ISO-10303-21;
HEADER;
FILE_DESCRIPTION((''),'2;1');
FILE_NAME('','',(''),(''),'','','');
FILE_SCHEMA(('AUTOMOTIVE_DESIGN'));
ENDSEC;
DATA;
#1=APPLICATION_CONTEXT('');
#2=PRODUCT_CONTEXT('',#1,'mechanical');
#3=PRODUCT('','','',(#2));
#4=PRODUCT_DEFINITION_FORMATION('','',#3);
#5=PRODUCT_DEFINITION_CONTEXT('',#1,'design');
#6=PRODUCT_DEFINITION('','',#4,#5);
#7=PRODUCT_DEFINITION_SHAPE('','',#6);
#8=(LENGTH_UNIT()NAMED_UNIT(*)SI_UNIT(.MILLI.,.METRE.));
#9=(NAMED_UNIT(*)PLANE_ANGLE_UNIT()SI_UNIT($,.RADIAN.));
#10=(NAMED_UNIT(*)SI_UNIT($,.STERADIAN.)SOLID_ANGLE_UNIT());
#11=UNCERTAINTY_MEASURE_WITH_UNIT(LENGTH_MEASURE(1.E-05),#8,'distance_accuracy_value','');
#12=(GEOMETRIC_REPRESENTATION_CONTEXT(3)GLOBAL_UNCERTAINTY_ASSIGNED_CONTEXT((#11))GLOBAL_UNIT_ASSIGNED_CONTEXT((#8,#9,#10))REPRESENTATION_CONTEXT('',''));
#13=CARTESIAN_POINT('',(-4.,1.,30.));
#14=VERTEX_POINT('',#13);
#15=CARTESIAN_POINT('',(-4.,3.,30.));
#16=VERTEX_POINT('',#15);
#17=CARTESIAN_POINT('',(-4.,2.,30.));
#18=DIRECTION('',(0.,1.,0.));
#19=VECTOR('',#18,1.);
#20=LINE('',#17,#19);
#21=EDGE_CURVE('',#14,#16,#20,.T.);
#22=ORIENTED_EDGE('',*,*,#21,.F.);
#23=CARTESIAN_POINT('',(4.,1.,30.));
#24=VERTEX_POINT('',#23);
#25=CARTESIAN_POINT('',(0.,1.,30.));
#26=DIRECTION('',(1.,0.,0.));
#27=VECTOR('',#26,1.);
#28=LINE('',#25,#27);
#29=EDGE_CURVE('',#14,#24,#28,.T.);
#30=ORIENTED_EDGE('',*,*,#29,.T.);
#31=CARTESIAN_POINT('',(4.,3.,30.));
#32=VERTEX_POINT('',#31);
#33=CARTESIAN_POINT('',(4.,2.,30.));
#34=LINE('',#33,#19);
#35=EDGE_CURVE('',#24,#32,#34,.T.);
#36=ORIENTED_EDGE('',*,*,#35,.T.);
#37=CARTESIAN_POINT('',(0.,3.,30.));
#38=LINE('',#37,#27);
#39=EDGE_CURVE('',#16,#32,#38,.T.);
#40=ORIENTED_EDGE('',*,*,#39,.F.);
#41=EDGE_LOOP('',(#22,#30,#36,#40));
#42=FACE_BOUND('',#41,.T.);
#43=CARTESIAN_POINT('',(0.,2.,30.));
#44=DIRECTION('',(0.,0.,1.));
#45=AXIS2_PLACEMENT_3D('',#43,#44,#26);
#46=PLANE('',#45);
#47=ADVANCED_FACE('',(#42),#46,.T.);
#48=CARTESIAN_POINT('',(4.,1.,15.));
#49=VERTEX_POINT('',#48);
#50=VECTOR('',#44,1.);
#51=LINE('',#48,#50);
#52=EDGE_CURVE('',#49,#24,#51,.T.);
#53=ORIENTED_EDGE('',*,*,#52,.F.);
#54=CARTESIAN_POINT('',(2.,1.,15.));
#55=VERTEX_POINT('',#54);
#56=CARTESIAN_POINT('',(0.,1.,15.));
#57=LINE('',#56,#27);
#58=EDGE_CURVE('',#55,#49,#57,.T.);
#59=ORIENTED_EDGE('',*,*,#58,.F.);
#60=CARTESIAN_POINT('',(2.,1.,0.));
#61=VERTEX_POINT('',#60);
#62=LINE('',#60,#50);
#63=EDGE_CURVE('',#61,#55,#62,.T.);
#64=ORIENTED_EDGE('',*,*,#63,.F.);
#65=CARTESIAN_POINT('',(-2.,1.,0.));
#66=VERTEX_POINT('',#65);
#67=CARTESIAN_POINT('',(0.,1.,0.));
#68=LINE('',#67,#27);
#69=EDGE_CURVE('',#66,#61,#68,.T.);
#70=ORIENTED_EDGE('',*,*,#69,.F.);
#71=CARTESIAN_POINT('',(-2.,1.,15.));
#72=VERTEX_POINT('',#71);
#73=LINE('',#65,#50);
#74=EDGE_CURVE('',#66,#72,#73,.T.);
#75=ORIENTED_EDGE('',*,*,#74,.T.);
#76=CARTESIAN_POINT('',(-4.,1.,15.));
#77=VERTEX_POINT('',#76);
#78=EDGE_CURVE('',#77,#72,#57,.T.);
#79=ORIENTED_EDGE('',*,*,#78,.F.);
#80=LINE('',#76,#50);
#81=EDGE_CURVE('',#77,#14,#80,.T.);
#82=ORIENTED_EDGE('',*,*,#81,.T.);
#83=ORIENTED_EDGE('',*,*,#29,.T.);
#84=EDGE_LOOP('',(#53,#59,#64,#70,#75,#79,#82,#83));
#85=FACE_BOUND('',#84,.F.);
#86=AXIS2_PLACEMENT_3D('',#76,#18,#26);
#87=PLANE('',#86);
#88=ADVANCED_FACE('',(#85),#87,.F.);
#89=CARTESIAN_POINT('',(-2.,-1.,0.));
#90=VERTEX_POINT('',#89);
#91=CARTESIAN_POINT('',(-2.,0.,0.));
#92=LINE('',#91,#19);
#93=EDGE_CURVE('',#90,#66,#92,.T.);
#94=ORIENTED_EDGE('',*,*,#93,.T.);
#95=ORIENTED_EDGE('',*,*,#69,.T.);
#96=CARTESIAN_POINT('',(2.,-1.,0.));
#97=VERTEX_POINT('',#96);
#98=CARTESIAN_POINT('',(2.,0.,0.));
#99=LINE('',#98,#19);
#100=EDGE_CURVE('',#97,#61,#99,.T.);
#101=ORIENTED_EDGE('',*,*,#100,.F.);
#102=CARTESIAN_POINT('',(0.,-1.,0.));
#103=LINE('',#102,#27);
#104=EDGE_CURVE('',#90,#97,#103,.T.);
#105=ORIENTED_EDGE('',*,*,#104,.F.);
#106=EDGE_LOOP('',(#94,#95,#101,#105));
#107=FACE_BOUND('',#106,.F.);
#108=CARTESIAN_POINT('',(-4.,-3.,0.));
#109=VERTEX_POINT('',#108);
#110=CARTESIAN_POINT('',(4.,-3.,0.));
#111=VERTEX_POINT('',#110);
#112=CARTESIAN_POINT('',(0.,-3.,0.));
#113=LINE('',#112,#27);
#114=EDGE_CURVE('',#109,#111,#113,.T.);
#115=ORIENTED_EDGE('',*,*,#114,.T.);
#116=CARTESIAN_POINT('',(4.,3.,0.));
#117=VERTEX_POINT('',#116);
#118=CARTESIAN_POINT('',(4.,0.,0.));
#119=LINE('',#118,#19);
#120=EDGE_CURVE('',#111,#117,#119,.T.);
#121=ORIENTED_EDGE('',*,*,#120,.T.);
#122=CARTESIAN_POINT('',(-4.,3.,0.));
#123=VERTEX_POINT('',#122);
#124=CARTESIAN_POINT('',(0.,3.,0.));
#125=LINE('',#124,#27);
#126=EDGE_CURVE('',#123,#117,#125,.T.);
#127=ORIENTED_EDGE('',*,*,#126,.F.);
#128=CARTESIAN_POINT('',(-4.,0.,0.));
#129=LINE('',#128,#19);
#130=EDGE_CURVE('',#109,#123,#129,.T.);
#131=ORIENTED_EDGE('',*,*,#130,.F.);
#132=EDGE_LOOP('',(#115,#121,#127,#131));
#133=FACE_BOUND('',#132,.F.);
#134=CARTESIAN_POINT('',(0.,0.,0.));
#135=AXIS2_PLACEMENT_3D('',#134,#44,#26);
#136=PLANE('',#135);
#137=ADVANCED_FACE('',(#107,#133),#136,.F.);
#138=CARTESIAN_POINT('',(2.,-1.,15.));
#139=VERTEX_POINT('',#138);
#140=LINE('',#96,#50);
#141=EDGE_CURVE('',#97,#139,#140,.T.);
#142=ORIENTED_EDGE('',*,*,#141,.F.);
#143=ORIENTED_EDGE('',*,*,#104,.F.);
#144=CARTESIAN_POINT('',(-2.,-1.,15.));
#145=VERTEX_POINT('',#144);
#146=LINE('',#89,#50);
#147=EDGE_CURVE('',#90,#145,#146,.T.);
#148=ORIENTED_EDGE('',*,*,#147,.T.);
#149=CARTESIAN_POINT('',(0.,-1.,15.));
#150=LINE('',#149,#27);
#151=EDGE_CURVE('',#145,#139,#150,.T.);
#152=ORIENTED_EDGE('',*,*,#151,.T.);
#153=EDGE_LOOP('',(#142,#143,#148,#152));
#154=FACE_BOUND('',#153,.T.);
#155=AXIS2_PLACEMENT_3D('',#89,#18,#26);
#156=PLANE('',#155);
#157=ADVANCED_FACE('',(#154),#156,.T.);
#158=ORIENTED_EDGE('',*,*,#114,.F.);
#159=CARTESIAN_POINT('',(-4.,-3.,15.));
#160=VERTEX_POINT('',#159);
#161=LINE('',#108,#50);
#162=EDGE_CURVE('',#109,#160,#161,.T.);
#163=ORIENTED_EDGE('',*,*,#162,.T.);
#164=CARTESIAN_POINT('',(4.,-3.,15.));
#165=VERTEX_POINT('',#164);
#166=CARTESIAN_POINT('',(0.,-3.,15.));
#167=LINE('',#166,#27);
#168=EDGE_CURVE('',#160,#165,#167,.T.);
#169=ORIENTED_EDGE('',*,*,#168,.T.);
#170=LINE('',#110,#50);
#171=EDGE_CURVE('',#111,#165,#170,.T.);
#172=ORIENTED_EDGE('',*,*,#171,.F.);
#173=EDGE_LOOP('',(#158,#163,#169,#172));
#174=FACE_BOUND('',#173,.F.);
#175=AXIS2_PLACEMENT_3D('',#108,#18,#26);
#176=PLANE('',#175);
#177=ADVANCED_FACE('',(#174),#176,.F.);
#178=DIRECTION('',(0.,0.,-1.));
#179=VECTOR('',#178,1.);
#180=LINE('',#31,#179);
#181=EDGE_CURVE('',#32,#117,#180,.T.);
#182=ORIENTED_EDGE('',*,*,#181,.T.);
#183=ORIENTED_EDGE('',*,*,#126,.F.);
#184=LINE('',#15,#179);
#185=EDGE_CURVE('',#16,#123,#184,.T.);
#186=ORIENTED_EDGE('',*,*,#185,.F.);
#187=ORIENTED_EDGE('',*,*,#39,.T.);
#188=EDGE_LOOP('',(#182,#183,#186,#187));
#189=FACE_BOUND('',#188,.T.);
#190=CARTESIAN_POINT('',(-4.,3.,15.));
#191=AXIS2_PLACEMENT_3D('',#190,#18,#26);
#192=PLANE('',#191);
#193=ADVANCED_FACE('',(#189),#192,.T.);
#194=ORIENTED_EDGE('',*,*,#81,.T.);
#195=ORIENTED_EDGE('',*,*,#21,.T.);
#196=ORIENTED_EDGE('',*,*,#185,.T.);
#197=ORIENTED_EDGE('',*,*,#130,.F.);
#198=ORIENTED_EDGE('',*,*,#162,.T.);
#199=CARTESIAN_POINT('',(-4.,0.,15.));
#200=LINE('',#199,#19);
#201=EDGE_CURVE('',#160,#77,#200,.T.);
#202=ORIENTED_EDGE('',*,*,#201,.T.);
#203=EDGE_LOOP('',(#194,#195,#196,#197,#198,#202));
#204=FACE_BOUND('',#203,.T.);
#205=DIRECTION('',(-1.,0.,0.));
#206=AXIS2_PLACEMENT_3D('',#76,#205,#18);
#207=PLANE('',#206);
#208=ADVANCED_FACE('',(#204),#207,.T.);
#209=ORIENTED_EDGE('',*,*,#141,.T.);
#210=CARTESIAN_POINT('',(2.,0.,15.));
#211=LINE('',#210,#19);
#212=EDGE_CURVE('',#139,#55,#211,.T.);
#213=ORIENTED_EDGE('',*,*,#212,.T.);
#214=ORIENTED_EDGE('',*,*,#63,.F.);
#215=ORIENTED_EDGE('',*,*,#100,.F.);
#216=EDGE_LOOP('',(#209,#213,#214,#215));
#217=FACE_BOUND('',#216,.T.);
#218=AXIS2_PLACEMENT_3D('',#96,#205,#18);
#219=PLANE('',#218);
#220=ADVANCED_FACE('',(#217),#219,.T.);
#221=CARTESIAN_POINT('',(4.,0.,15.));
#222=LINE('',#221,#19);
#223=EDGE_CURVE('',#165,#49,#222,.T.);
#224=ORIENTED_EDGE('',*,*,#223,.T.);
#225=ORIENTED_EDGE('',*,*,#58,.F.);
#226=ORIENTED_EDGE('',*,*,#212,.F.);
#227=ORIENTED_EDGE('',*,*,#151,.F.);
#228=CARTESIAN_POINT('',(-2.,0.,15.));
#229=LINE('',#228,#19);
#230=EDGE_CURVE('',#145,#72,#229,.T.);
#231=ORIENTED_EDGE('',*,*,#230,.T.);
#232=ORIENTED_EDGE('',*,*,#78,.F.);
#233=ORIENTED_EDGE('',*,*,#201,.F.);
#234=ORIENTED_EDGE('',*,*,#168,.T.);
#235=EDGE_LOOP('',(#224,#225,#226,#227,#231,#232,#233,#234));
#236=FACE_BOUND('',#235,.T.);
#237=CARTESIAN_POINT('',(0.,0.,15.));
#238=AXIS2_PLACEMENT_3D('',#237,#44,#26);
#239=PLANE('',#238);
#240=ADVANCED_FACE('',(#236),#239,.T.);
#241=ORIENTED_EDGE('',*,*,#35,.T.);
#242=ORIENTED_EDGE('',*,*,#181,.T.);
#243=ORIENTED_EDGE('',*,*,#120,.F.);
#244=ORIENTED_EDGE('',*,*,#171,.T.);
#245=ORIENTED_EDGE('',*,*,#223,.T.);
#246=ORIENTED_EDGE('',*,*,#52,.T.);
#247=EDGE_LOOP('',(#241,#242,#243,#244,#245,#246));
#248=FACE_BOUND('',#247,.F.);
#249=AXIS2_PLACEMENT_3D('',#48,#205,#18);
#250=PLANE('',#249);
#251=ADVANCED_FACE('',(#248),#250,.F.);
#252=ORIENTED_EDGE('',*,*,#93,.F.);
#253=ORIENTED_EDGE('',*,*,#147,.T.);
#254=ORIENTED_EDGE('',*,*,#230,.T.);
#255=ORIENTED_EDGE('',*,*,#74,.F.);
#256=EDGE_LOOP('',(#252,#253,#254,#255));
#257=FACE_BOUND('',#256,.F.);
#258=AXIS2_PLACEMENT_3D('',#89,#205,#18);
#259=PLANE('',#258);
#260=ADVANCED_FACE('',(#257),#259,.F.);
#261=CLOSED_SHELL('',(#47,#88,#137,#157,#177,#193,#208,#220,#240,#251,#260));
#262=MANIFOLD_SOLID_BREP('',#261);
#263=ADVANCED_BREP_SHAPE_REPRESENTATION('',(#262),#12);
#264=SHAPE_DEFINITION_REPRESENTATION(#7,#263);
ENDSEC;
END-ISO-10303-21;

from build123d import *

# Parameters (mm, degrees)
F0_W     = 8
F0_H     = 6
F0_W_2   = 4
F0_H_2   = 2
F1_DEPTH = 15
F2_W     = 8
F2_H     = 2
F3_DEPTH = 15


with BuildPart() as f1:
    # F0 (on Top) → F1 (new body)
    with BuildSketch(Plane.XY):
        Rectangle(F0_W, F0_H)
        Rectangle(F0_W_2, F0_H_2, mode=Mode.SUBTRACT)
    extrude(amount=F1_DEPTH)

    # F2 (on face) → F3 (join)
    with BuildSketch(Plane.XY.offset(15)):
        with Locations((0, 2)):
            Rectangle(F2_W, F2_H)
    extrude(amount=F3_DEPTH)


solid = f1.part
